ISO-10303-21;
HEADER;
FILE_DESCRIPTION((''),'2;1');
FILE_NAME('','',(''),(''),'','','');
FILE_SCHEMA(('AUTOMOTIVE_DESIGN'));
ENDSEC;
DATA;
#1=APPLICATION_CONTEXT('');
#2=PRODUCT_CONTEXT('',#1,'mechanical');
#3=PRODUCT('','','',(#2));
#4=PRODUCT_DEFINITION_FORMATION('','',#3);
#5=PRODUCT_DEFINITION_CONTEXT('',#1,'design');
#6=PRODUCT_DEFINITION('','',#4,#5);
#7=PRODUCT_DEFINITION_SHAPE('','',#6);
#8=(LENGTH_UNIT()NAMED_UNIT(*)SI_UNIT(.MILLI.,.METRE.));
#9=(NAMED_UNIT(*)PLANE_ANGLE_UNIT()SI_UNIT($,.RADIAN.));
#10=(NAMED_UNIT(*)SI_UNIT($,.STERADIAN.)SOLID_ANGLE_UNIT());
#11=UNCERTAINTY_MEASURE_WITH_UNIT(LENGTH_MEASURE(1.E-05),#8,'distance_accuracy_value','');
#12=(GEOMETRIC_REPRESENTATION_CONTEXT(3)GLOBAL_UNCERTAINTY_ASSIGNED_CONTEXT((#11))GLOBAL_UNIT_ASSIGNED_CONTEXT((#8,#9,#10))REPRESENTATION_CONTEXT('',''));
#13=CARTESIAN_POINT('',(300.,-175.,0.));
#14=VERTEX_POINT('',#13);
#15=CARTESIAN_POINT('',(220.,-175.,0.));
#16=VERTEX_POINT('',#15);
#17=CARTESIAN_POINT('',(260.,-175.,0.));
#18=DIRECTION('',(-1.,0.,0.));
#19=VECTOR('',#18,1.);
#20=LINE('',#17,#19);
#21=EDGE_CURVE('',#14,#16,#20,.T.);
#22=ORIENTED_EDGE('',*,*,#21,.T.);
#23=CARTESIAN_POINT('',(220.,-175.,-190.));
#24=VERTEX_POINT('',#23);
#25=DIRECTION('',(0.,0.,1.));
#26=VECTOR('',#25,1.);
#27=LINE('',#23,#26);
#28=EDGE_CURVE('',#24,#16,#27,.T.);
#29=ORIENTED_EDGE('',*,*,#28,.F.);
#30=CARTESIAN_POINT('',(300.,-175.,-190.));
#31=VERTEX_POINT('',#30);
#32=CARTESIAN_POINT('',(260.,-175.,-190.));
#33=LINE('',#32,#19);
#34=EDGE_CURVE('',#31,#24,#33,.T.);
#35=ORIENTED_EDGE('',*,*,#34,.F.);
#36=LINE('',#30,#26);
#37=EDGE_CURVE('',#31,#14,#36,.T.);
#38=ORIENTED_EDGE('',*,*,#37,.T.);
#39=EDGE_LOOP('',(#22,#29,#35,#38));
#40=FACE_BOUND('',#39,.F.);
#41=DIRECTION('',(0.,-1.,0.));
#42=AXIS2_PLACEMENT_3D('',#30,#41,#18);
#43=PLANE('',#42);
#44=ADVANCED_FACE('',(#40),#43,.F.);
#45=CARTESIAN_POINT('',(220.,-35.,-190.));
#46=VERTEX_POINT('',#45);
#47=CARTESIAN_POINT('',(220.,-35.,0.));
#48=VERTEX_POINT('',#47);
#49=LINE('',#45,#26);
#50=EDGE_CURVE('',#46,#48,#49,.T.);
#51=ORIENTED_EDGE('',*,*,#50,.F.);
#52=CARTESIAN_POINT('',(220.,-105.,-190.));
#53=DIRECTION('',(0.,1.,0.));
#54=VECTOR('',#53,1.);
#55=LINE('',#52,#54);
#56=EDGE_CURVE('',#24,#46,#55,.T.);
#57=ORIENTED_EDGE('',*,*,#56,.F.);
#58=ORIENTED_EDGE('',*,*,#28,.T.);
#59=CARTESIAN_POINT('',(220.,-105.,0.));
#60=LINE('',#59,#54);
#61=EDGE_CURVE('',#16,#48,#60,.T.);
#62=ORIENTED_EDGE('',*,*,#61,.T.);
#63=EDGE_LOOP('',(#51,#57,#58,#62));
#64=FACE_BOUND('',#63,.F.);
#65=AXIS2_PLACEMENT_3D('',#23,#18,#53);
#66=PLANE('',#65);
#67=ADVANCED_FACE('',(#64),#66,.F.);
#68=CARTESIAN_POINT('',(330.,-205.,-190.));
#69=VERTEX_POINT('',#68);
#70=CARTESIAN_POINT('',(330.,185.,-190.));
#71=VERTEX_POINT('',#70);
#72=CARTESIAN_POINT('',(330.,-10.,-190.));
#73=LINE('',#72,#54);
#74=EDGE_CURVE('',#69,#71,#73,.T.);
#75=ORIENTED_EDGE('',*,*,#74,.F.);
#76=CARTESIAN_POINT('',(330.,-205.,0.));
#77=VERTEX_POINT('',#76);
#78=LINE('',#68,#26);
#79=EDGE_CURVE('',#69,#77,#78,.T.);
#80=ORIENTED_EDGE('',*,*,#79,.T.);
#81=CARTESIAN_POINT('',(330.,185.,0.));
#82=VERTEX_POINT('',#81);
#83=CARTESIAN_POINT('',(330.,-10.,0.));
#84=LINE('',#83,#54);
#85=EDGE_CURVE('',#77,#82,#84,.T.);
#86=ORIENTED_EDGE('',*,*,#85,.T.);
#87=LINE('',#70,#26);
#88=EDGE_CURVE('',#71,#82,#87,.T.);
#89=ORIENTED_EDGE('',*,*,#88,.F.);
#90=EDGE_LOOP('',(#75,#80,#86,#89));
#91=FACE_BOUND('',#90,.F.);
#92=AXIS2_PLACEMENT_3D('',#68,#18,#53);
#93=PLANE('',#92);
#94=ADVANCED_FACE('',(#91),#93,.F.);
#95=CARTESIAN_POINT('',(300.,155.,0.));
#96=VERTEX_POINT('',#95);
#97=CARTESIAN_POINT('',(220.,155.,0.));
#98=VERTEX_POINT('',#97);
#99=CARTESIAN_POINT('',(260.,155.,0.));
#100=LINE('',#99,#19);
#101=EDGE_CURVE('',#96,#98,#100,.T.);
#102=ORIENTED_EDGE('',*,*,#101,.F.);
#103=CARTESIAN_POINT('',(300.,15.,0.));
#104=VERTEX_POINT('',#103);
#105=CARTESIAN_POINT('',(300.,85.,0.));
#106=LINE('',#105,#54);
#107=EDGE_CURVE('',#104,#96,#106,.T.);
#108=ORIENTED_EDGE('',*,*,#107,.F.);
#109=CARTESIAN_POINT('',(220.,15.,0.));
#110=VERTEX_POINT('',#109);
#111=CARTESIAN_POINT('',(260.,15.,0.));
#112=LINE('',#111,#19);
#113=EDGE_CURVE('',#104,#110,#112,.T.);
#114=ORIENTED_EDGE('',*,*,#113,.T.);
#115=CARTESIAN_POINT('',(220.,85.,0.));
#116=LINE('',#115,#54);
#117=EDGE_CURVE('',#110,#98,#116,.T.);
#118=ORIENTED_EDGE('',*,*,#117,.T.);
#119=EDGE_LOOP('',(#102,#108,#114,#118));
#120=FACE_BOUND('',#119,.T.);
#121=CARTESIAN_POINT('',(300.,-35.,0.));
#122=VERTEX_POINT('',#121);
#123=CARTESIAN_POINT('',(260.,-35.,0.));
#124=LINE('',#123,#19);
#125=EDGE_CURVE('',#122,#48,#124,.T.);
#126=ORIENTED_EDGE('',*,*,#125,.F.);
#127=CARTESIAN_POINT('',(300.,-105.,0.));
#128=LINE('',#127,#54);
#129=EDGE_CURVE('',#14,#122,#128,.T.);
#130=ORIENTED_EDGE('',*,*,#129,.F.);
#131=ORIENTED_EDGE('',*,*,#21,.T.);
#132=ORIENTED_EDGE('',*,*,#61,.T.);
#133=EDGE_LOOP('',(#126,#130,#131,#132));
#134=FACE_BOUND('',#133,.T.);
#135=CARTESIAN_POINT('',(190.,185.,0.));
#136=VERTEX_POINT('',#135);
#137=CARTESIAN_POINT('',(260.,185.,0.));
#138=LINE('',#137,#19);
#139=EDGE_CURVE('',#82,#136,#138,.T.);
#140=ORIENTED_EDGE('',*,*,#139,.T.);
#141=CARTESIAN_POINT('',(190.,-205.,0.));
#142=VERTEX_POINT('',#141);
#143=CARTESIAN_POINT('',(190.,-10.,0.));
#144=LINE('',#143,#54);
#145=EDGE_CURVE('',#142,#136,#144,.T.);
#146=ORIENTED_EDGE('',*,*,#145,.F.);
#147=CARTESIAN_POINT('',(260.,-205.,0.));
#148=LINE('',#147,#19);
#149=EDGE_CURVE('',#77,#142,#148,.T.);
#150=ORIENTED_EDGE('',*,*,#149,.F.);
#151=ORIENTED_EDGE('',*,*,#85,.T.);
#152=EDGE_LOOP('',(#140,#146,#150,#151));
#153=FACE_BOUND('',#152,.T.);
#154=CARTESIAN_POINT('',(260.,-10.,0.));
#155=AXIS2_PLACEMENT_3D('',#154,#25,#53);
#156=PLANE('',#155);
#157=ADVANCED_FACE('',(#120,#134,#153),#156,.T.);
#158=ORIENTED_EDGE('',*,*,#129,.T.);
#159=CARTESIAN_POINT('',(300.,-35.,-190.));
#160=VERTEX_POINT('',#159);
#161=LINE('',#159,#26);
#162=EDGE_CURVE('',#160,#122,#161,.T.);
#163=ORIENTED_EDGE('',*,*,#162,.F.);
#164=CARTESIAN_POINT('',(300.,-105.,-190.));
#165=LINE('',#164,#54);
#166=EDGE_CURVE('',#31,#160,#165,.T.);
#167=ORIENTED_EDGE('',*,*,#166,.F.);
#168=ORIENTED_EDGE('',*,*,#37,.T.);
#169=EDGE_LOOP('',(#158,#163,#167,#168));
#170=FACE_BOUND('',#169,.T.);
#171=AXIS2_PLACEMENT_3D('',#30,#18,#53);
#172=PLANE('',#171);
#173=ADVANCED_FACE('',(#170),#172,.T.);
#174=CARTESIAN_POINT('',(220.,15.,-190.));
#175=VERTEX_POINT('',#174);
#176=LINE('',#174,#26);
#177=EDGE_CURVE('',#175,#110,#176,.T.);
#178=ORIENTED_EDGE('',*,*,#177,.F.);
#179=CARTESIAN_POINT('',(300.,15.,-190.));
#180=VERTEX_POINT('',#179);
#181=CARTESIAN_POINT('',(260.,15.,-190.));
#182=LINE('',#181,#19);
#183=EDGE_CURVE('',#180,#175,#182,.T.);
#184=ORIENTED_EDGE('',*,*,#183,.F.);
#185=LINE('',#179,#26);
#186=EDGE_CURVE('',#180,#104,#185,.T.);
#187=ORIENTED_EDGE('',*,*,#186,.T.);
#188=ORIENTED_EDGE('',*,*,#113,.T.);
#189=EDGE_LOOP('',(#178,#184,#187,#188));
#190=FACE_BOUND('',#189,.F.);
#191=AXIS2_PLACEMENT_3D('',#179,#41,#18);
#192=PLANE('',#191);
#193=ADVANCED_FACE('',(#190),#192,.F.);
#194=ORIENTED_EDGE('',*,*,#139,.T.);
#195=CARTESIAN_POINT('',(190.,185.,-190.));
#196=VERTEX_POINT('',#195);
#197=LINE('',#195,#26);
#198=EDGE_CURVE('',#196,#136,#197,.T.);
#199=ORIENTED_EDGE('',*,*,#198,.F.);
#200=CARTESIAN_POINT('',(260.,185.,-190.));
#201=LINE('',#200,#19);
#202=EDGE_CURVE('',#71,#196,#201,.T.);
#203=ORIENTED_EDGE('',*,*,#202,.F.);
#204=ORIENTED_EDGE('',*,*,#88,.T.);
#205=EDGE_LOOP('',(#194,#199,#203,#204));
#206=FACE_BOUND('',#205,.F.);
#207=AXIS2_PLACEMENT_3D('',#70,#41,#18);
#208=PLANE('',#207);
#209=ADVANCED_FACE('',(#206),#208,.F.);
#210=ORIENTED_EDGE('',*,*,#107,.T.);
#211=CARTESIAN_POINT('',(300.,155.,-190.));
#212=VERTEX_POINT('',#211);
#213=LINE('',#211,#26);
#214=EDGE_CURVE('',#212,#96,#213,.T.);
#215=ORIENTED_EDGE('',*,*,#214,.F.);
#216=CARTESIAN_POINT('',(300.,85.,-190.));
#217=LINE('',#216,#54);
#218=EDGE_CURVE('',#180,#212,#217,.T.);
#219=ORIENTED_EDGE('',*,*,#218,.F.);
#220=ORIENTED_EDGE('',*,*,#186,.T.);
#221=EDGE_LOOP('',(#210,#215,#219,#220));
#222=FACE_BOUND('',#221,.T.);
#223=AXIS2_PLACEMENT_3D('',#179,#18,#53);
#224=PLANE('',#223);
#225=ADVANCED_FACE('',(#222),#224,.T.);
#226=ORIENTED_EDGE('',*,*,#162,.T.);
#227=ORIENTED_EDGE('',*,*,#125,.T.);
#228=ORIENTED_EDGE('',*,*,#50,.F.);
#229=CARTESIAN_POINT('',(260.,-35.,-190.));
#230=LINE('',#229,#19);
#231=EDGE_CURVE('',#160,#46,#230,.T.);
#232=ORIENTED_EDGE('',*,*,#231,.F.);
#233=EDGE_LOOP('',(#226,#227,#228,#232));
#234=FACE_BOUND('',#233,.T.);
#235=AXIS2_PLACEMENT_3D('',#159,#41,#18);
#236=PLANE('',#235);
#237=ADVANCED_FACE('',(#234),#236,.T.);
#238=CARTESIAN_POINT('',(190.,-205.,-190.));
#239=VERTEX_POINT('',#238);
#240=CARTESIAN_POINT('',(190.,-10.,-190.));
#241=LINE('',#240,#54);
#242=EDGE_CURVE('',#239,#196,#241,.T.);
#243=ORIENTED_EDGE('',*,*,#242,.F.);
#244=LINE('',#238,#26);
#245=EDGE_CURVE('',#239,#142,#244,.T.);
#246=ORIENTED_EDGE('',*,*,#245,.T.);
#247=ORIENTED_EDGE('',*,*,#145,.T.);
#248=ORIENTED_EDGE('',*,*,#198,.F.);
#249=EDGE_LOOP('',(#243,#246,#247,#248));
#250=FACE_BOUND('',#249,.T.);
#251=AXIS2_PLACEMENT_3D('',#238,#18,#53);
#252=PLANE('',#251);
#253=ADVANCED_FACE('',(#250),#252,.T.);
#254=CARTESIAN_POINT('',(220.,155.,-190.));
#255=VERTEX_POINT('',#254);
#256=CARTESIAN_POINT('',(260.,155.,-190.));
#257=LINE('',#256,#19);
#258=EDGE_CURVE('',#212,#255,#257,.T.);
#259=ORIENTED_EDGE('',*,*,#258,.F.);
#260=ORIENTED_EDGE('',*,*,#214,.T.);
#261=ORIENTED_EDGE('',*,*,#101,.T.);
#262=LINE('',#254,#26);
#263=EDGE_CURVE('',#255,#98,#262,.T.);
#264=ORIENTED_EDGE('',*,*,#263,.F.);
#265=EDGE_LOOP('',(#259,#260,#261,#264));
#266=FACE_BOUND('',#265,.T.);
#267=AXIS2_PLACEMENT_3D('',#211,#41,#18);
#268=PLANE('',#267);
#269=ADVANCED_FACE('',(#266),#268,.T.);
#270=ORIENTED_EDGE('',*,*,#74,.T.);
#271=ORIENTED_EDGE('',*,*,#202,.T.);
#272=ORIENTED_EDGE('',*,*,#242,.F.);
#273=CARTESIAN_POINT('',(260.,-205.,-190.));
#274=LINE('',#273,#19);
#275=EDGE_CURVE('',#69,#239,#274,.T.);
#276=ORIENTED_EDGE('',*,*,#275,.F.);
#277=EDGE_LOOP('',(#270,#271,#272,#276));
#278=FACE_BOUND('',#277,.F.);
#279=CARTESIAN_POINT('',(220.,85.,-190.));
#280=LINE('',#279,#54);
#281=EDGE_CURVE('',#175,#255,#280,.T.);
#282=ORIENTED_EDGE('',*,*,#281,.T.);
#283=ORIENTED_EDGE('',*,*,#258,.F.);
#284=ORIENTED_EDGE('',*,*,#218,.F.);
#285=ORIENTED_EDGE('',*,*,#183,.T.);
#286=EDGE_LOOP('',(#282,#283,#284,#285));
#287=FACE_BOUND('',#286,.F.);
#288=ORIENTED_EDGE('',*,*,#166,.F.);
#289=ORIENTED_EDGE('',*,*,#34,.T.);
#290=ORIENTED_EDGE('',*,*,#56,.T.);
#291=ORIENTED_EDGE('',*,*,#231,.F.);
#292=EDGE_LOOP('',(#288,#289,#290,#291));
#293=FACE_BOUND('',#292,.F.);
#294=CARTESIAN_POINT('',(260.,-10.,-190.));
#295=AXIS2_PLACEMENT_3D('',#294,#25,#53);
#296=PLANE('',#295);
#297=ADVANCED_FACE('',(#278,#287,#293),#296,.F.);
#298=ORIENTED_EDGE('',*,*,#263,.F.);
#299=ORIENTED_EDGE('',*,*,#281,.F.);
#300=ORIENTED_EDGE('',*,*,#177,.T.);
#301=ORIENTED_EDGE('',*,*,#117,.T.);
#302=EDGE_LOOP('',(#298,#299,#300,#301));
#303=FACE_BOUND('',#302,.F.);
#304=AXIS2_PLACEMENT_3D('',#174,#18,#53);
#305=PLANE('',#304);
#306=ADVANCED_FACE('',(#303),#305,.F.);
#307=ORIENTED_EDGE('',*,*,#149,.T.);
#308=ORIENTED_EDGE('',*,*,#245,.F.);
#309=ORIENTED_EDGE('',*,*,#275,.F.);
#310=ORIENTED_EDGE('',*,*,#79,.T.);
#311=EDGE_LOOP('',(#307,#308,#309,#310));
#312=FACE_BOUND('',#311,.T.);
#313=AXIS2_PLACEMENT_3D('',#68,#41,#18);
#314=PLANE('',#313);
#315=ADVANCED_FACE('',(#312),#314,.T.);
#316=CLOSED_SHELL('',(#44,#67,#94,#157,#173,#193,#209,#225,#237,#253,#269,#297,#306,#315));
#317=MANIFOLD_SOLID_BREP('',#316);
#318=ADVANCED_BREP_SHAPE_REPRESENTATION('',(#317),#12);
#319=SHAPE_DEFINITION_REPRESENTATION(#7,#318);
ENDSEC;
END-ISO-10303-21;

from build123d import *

# Parameters (mm, degrees)
BOX112_W               = 140
BOX112_H               = 80
BOX112_DEPTH           = 190
BOX111_W               = 140
BOX111_H               = 80
BOX111_DEPTH           = 190
BOX110_W               = 390
BOX110_H               = 140
BOX110_DEPTH           = 190
CUT015_PLACEMENT_ANGLE = 90


with BuildPart() as cube084:
    # Box112 → Box112 (new body)
    with BuildSketch(Plane(origin=(220, 30, 0), x_dir=(1, 0, 0), z_dir=(0, 0, 1))):
        with Locations((70, 40)):
            Rectangle(BOX112_W, BOX112_H)
    extrude(amount=BOX112_DEPTH)


with BuildPart() as fusion020:
    # Box111 → Box111 (new body)
    with BuildSketch(Plane(origin=(30, 30, 0), x_dir=(1, 0, 0), z_dir=(0, 0, 1))):
        with Locations((70, 40)):
            Rectangle(BOX111_W, BOX111_H)
    extrude(amount=BOX111_DEPTH)

    # Fusion020: union Cube084
    add(cube084.part)


with BuildPart() as cut015:
    # Box110 → Box110 (new body)
    with BuildSketch(Plane.XY):
        with Locations((195, 70)):
            Rectangle(BOX110_W, BOX110_H)
    extrude(amount=BOX110_DEPTH)

    # Cut015: cut Fusion020
    add(fusion020.part, mode=Mode.SUBTRACT)


with BuildPart() as cut015_1:
    # Cut015 placement: moved
    add(cut015.part.moved(Location((330, -205, -190))).rotate(Axis((330, -205, -190), (0, 0, 1)), CUT015_PLACEMENT_ANGLE))


solid = cut015_1.part
